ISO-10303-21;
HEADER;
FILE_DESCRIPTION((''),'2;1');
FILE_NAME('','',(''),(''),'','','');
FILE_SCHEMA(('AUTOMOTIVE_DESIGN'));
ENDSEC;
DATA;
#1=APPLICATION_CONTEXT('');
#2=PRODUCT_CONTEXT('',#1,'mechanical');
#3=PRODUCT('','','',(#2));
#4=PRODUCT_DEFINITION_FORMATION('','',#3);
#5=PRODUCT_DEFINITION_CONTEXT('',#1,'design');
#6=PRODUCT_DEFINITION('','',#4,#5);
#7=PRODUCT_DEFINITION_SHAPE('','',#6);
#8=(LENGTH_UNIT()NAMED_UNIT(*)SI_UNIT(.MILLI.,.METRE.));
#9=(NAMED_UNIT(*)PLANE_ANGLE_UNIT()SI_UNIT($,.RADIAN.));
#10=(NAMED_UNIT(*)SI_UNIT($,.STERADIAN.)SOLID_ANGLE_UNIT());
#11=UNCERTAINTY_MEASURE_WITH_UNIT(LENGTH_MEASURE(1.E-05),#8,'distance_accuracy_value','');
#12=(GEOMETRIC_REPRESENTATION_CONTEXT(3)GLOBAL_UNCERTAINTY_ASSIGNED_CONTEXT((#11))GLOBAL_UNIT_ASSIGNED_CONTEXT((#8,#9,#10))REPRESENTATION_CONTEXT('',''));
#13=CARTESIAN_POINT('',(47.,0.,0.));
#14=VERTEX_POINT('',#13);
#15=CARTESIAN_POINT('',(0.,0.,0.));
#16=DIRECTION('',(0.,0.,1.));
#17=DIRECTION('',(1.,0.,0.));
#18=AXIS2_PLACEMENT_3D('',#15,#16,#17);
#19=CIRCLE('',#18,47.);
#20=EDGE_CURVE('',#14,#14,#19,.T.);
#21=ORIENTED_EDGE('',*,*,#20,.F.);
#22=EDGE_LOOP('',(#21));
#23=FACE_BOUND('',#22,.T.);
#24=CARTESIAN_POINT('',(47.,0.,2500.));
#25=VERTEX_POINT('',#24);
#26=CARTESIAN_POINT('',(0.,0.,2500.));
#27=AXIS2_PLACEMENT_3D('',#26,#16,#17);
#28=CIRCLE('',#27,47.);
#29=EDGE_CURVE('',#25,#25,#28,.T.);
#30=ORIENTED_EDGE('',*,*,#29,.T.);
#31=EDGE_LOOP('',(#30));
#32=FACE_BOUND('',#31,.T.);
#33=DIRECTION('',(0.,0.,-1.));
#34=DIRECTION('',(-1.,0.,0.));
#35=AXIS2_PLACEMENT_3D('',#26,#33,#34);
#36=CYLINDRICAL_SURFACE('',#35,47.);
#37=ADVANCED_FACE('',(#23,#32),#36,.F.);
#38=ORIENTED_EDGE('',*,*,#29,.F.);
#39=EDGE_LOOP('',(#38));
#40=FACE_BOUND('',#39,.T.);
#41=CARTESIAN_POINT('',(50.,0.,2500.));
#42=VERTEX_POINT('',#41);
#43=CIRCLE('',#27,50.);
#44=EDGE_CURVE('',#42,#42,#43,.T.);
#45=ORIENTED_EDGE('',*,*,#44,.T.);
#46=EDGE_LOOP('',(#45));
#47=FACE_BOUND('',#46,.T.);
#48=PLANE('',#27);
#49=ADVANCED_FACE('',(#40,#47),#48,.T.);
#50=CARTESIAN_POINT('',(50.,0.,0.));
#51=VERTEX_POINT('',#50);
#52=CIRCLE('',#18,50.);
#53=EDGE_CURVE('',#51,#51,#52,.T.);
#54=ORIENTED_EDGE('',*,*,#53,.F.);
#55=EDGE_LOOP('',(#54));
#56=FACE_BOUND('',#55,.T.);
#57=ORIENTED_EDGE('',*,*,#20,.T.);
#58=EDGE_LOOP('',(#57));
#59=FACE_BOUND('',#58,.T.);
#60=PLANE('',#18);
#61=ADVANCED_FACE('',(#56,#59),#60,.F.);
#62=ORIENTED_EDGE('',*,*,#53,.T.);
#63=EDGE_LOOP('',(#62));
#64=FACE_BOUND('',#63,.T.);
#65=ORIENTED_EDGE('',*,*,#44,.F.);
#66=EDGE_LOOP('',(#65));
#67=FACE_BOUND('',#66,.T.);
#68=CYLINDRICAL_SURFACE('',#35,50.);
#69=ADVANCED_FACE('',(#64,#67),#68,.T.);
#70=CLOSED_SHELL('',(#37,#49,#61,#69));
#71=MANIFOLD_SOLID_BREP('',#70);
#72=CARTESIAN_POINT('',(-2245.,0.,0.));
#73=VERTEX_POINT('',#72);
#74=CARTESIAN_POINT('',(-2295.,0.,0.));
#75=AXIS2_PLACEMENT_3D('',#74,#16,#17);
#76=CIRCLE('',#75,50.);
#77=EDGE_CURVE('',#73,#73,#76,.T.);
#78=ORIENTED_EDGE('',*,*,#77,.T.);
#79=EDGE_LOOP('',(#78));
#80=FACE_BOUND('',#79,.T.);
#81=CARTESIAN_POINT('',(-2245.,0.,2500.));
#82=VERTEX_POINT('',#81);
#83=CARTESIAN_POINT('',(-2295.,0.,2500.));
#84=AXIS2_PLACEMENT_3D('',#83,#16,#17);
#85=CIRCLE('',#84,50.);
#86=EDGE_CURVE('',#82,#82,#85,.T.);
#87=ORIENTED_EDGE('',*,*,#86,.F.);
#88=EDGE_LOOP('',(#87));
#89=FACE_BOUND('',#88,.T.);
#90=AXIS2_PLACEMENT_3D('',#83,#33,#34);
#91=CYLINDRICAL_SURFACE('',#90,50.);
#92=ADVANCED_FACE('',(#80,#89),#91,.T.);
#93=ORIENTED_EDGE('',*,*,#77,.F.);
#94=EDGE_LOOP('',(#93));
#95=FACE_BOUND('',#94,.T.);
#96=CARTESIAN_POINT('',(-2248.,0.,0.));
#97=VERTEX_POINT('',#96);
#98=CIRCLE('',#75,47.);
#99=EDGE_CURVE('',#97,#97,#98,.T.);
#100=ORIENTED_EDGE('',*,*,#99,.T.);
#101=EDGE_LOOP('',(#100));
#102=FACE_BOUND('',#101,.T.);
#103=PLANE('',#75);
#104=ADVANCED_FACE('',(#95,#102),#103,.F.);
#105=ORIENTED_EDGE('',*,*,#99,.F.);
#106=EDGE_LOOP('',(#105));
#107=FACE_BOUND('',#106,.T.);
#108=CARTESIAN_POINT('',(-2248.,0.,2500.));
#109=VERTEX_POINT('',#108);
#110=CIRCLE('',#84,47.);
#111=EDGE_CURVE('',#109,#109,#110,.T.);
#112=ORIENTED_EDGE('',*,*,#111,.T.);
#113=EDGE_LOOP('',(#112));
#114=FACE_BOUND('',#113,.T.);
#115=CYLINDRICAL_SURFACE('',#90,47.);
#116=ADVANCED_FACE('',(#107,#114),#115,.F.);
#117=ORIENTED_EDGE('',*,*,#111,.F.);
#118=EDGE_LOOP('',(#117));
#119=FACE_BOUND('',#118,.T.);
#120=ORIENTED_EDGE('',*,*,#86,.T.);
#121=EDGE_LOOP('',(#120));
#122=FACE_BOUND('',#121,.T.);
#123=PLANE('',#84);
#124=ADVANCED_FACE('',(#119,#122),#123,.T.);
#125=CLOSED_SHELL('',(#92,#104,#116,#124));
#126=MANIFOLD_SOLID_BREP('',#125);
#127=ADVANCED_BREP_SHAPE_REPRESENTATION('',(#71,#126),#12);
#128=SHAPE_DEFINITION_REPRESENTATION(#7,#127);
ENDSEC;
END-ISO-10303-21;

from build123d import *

# Parameters (mm, degrees)
SKETCH1_R             = 50
SKETCH1_R_2           = 47
EXTRUDE_THIN1_DEPTH   = 2500
EXTRUDE_THIN1_2_DEPTH = 2500


with BuildPart() as part:
    # Sketch1 → Extrude-Thin1 (new body)
    with BuildSketch(Plane.XY):
        Circle(SKETCH1_R)
        Circle(SKETCH1_R_2, mode=Mode.SUBTRACT)
    extrude(amount=EXTRUDE_THIN1_DEPTH)


with BuildPart() as body_2:
    # Sketch1 → Extrude-Thin1 2 (new body)
    with BuildSketch(Plane.XY):
        with Locations((-2295, 0)):
            Circle(SKETCH1_R)
        with Locations((-2295, 0)):
            Circle(SKETCH1_R_2, mode=Mode.SUBTRACT)
    extrude(amount=EXTRUDE_THIN1_2_DEPTH)


solid = Compound([part.part, body_2.part])
